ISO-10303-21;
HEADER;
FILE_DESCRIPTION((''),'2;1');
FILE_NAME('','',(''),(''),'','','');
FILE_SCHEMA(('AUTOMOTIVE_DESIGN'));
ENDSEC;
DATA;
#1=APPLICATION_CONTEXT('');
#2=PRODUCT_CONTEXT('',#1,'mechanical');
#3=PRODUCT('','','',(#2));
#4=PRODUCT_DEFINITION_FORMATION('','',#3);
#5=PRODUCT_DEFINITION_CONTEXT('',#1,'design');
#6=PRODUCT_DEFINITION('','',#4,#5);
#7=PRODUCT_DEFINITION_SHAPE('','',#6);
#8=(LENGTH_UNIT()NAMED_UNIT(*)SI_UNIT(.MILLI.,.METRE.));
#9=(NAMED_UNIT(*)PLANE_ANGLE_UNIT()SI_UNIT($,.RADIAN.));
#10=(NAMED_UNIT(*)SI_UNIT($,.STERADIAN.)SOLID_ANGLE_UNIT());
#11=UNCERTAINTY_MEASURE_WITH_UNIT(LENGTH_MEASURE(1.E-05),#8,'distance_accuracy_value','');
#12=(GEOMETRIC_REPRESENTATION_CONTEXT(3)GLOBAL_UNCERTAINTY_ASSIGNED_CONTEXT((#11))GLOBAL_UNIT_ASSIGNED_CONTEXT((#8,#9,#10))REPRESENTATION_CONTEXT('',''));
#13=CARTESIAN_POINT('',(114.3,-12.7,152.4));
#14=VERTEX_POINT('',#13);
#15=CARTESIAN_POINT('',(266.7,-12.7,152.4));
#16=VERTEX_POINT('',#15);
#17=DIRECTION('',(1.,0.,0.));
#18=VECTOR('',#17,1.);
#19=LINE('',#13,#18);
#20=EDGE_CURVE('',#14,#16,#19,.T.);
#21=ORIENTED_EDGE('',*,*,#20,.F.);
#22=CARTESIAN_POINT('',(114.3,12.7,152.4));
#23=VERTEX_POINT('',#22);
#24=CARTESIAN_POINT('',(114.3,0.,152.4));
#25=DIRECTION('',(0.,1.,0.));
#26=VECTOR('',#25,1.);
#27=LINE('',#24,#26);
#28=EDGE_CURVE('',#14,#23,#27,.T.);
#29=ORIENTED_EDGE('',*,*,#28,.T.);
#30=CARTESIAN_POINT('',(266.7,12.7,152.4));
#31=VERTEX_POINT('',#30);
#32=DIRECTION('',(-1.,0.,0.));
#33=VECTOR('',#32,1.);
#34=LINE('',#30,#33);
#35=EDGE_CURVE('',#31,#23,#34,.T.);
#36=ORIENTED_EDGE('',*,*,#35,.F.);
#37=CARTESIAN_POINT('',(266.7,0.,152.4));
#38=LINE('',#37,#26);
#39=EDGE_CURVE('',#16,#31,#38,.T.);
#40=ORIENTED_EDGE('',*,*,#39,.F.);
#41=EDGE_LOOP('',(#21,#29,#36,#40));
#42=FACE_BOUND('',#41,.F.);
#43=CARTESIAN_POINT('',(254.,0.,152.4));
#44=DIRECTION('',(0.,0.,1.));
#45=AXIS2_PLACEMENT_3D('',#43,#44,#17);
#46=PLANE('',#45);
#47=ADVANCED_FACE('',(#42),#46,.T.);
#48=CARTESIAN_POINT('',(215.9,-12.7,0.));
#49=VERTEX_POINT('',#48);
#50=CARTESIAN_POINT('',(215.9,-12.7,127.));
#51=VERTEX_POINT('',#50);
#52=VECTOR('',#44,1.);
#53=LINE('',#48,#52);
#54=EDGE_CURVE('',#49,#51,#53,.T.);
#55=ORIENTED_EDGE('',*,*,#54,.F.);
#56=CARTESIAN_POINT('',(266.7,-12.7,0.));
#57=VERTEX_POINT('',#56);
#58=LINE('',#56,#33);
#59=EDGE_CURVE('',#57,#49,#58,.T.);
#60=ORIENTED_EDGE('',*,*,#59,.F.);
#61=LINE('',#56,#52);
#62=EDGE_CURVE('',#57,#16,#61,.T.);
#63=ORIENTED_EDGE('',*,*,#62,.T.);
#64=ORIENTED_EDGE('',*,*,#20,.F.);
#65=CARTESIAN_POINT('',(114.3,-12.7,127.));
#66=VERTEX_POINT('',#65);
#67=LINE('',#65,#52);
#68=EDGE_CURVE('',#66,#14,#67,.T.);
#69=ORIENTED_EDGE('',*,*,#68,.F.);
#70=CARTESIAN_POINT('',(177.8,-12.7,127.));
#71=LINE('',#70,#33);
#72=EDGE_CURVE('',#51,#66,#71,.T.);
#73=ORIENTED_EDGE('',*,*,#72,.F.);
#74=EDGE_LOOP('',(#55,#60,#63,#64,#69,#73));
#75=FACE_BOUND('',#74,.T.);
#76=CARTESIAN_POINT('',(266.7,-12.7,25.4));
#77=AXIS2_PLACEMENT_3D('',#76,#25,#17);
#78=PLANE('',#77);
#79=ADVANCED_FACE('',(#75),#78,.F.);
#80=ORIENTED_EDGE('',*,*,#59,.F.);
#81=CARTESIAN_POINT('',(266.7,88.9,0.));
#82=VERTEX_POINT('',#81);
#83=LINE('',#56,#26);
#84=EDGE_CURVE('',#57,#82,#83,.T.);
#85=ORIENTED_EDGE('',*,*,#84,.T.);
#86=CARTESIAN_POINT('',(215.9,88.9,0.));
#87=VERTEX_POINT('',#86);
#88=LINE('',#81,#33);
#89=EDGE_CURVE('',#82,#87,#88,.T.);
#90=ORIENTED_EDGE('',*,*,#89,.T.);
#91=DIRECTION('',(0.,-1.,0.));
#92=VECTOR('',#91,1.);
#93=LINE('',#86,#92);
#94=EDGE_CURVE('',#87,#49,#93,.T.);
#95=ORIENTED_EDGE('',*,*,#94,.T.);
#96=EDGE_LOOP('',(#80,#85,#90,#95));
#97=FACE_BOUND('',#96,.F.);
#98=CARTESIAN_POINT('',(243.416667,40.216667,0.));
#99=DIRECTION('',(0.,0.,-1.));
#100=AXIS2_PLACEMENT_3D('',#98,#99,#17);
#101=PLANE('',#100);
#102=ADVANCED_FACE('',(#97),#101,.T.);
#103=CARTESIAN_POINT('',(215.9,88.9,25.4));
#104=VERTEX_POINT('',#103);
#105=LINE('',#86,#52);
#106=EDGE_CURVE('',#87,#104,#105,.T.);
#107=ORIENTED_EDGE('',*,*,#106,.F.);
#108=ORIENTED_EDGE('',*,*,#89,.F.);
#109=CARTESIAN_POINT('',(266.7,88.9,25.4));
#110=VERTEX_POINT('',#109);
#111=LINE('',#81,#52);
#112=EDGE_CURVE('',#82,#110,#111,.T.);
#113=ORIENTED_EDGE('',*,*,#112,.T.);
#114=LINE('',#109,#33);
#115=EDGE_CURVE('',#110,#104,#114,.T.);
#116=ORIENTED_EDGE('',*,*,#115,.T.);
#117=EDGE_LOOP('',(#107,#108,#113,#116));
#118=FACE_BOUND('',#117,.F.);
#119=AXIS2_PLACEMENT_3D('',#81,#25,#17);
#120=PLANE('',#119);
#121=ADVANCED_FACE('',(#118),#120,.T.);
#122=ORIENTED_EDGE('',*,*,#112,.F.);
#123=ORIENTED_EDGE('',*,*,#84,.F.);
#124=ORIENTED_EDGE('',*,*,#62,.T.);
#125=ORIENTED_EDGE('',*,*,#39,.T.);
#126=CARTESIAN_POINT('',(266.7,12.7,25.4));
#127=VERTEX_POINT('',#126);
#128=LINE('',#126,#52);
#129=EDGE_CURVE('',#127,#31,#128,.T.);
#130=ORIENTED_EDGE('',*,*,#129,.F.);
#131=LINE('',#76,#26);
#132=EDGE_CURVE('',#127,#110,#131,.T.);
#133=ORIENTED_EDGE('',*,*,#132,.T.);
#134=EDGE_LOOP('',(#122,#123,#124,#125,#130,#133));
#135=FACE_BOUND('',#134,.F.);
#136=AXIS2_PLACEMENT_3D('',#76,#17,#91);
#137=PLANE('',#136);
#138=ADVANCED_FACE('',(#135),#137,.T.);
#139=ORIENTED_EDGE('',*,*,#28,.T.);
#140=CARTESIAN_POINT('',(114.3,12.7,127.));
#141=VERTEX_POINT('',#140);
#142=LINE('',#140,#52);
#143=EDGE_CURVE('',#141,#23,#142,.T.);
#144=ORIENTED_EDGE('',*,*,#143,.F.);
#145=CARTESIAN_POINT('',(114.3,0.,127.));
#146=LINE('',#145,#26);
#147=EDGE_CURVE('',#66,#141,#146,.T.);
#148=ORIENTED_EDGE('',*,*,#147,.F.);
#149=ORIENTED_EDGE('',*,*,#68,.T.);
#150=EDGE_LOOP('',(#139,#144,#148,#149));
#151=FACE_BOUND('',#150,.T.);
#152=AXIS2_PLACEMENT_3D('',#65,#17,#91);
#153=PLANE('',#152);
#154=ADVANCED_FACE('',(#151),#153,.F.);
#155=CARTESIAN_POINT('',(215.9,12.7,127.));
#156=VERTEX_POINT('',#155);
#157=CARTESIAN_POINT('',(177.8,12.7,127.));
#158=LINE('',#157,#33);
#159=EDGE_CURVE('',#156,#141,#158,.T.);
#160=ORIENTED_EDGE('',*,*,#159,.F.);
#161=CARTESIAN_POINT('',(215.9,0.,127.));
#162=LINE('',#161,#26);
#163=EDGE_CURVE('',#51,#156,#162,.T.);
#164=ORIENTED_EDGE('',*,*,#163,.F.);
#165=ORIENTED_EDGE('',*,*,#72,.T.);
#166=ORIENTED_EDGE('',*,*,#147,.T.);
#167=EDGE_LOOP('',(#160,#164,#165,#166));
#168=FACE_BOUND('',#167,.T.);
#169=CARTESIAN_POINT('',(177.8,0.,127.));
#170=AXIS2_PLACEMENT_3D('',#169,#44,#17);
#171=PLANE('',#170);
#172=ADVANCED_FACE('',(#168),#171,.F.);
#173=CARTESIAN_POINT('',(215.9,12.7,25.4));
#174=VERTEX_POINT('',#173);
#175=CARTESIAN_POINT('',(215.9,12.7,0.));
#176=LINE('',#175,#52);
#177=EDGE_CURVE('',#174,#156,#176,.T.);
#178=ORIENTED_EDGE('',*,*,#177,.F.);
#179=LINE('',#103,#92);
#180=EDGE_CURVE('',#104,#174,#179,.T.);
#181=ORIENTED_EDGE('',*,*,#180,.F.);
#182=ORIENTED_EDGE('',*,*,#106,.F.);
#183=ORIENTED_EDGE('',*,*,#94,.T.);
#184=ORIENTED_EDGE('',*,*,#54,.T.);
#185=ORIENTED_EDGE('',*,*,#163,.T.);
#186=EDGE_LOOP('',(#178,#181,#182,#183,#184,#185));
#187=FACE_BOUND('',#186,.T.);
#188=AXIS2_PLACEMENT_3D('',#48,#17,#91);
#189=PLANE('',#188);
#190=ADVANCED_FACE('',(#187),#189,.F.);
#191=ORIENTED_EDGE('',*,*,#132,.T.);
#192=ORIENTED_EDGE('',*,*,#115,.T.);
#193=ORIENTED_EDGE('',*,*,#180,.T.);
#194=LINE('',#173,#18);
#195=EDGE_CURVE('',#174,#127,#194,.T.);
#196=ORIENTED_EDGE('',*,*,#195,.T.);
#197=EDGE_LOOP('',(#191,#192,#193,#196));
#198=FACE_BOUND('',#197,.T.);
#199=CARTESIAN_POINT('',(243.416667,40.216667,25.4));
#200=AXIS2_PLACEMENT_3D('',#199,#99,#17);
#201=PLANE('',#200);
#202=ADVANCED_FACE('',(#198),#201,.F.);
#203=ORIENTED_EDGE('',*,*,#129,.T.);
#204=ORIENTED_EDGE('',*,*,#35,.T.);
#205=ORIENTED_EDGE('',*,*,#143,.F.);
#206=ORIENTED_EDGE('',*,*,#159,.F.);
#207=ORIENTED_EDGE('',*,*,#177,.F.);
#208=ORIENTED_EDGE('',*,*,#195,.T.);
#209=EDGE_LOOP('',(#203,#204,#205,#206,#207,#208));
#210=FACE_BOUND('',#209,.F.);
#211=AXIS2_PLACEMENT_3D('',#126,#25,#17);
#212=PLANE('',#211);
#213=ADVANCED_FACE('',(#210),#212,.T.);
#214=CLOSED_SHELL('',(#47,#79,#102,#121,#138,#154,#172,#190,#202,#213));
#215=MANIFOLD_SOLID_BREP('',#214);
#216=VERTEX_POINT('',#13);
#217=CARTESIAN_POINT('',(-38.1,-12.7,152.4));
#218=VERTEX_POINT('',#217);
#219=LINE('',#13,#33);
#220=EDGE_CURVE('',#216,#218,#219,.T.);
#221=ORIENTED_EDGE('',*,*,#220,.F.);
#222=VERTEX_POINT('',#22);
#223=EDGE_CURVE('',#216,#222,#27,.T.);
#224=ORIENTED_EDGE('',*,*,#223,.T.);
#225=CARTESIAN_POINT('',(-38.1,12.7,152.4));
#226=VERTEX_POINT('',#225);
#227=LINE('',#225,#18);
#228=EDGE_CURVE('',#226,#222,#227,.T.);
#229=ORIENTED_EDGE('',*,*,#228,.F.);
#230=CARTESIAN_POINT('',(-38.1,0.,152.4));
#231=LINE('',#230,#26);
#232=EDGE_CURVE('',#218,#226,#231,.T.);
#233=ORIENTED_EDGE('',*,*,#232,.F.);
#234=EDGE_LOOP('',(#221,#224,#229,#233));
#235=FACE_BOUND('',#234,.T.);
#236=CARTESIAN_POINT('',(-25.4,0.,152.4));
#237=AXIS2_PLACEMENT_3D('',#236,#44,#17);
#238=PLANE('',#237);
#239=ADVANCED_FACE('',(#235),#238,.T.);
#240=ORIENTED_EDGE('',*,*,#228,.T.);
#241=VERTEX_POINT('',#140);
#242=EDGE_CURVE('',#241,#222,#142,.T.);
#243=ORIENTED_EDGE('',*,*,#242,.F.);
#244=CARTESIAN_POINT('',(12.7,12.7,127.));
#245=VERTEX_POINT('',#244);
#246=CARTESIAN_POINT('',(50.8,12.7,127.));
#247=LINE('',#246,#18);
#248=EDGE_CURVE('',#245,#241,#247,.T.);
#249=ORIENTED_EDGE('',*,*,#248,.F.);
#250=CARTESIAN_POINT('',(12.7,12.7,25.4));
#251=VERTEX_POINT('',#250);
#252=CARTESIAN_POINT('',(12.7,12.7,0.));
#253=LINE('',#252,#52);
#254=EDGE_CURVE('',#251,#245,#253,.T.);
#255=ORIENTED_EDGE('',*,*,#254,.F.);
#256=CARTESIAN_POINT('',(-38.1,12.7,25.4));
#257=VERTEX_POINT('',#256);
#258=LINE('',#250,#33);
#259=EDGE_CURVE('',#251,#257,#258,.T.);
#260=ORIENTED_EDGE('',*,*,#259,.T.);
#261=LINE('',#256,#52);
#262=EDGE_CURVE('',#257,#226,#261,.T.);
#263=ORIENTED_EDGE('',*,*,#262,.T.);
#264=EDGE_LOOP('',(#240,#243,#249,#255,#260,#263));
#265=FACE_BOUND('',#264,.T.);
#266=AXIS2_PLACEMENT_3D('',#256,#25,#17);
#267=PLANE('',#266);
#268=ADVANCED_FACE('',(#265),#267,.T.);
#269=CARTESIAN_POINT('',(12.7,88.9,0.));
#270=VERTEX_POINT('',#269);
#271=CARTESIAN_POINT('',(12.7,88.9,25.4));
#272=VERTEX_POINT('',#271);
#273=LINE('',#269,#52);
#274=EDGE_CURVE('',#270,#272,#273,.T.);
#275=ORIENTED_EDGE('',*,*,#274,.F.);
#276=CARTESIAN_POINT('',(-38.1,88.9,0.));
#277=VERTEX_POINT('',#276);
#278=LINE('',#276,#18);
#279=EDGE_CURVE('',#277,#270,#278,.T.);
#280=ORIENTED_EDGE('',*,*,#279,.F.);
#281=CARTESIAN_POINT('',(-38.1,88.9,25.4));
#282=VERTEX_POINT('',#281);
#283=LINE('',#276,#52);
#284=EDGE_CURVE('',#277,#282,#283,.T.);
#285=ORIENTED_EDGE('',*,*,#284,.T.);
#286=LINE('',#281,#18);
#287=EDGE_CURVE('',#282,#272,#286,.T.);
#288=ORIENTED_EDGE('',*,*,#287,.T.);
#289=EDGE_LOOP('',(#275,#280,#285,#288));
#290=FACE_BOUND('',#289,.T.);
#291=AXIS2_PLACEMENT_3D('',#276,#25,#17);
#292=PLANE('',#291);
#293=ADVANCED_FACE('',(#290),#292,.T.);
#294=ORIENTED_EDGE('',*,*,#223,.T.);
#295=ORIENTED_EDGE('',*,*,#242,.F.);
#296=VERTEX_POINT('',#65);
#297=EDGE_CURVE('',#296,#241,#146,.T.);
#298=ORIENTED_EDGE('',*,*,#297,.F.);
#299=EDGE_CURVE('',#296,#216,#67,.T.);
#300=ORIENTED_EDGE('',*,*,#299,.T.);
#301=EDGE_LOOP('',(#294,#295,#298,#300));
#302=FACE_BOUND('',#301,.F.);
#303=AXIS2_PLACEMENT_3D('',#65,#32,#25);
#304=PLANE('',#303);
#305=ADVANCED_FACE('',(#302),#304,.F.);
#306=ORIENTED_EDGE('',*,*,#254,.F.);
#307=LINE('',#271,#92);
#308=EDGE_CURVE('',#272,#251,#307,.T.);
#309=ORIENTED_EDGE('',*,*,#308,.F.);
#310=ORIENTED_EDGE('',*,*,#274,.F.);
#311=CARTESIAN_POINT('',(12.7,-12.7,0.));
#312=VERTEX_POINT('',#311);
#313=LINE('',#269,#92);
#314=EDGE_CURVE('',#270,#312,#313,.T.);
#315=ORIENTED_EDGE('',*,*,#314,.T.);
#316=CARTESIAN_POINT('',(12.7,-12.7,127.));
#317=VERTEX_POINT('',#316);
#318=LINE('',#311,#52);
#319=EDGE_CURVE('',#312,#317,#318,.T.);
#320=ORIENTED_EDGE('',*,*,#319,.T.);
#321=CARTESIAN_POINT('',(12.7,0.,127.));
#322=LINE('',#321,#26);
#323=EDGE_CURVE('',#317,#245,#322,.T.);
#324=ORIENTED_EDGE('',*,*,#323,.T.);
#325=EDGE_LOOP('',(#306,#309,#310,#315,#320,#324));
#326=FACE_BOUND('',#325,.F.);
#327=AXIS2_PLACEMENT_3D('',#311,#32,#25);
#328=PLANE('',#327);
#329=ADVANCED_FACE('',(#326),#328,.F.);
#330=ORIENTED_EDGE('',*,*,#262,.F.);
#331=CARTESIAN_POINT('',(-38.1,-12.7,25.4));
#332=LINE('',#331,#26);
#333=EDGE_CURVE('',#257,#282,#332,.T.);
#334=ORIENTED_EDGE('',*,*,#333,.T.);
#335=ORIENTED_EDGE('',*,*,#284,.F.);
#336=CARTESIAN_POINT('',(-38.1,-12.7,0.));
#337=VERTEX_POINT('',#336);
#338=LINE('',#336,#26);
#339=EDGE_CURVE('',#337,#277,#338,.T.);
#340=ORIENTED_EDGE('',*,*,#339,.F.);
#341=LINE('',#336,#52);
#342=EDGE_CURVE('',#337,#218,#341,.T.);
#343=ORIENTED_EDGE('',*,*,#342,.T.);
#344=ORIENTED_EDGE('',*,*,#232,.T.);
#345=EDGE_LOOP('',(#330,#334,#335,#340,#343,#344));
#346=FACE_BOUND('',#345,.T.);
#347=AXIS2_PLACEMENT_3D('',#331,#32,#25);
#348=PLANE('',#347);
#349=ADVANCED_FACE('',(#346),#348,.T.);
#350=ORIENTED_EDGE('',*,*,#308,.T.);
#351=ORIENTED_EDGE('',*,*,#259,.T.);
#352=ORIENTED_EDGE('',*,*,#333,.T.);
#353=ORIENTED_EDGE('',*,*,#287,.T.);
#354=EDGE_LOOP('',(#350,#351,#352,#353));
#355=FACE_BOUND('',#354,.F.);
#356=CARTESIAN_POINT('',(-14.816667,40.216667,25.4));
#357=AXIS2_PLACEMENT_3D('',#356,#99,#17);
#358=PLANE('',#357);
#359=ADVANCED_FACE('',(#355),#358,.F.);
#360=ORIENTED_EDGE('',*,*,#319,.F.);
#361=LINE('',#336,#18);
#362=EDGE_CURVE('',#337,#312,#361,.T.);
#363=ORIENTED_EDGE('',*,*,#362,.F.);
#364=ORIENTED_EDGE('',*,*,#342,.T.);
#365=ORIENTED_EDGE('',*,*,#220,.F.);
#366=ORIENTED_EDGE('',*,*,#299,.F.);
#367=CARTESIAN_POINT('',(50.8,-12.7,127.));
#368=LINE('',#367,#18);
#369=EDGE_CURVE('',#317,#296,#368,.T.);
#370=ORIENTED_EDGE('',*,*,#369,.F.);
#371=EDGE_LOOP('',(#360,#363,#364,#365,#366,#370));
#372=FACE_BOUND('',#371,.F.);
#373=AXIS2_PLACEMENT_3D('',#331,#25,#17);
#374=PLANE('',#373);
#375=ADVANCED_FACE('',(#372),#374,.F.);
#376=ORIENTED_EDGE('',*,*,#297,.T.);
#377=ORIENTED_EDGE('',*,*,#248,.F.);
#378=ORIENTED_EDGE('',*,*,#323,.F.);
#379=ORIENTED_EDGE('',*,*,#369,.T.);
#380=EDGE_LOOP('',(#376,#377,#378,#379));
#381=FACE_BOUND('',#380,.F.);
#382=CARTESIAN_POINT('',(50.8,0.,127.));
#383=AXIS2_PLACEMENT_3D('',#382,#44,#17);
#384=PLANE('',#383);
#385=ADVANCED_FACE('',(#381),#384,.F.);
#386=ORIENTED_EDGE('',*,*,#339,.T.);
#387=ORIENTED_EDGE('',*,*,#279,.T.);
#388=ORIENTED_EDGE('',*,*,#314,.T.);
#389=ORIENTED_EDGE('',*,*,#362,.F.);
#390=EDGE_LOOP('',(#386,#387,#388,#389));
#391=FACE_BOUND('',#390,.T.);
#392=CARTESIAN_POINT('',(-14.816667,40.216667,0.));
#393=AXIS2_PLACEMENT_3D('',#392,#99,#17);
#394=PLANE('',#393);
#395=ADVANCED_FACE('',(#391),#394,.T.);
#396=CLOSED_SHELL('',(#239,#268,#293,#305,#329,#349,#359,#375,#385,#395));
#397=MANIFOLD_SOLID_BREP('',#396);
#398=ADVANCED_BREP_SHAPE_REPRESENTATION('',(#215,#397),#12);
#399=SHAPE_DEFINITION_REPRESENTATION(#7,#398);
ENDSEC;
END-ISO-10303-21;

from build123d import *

# Parameters (mm, degrees)
F0_W     = 25.4
F0_H     = 25.4
F1_DEPTH = 127
F2_W     = 127
F2_H     = 25.4
F3_DEPTH = 25.4
F5_DEPTH = 25.4
F6_W     = 25.4
F6_H     = 25.4
F7_DEPTH = 127


with BuildPart() as f1:
    # F0 (on Top) → F1 (new body)
    with BuildSketch(Plane.XY):
        Rectangle(F0_W, F0_H)
    extrude(amount=F1_DEPTH)

    # F2 (on face) → F3 (join)
    with BuildSketch(Plane.XY.offset(127)):
        with Locations((50.8, 0)):
            Rectangle(F2_W, F2_H)
    extrude(amount=F3_DEPTH)

    # F4 (on face) → F5 (join)
    with BuildSketch(Plane(origin=(0, 0, 0), x_dir=(1, 0, 0), z_dir=(0, 0, -1))):
        Polygon((-12.7, -12.7), (-12.7, 12.7), (-38.1, 12.7), (-38.1, -88.9), (12.7, -88.9), (12.7, -12.7), align=None)
    extrude(amount=-F5_DEPTH)

    # F6 (on face) → F7 (join)
    with BuildSketch(Plane.XY.offset(25.4)):
        with Locations((-25.4, 0)):
            Rectangle(F6_W, F6_H)
    extrude(amount=F7_DEPTH)


with BuildPart() as f8_1:
    # F8: instance of F1
    add(f1.part.mirror(Plane(origin=(114.3, 0, 139.7), x_dir=(0, 1, 0), z_dir=(1, 0, 0))))


solid = Compound([f1.part, f8_1.part])
